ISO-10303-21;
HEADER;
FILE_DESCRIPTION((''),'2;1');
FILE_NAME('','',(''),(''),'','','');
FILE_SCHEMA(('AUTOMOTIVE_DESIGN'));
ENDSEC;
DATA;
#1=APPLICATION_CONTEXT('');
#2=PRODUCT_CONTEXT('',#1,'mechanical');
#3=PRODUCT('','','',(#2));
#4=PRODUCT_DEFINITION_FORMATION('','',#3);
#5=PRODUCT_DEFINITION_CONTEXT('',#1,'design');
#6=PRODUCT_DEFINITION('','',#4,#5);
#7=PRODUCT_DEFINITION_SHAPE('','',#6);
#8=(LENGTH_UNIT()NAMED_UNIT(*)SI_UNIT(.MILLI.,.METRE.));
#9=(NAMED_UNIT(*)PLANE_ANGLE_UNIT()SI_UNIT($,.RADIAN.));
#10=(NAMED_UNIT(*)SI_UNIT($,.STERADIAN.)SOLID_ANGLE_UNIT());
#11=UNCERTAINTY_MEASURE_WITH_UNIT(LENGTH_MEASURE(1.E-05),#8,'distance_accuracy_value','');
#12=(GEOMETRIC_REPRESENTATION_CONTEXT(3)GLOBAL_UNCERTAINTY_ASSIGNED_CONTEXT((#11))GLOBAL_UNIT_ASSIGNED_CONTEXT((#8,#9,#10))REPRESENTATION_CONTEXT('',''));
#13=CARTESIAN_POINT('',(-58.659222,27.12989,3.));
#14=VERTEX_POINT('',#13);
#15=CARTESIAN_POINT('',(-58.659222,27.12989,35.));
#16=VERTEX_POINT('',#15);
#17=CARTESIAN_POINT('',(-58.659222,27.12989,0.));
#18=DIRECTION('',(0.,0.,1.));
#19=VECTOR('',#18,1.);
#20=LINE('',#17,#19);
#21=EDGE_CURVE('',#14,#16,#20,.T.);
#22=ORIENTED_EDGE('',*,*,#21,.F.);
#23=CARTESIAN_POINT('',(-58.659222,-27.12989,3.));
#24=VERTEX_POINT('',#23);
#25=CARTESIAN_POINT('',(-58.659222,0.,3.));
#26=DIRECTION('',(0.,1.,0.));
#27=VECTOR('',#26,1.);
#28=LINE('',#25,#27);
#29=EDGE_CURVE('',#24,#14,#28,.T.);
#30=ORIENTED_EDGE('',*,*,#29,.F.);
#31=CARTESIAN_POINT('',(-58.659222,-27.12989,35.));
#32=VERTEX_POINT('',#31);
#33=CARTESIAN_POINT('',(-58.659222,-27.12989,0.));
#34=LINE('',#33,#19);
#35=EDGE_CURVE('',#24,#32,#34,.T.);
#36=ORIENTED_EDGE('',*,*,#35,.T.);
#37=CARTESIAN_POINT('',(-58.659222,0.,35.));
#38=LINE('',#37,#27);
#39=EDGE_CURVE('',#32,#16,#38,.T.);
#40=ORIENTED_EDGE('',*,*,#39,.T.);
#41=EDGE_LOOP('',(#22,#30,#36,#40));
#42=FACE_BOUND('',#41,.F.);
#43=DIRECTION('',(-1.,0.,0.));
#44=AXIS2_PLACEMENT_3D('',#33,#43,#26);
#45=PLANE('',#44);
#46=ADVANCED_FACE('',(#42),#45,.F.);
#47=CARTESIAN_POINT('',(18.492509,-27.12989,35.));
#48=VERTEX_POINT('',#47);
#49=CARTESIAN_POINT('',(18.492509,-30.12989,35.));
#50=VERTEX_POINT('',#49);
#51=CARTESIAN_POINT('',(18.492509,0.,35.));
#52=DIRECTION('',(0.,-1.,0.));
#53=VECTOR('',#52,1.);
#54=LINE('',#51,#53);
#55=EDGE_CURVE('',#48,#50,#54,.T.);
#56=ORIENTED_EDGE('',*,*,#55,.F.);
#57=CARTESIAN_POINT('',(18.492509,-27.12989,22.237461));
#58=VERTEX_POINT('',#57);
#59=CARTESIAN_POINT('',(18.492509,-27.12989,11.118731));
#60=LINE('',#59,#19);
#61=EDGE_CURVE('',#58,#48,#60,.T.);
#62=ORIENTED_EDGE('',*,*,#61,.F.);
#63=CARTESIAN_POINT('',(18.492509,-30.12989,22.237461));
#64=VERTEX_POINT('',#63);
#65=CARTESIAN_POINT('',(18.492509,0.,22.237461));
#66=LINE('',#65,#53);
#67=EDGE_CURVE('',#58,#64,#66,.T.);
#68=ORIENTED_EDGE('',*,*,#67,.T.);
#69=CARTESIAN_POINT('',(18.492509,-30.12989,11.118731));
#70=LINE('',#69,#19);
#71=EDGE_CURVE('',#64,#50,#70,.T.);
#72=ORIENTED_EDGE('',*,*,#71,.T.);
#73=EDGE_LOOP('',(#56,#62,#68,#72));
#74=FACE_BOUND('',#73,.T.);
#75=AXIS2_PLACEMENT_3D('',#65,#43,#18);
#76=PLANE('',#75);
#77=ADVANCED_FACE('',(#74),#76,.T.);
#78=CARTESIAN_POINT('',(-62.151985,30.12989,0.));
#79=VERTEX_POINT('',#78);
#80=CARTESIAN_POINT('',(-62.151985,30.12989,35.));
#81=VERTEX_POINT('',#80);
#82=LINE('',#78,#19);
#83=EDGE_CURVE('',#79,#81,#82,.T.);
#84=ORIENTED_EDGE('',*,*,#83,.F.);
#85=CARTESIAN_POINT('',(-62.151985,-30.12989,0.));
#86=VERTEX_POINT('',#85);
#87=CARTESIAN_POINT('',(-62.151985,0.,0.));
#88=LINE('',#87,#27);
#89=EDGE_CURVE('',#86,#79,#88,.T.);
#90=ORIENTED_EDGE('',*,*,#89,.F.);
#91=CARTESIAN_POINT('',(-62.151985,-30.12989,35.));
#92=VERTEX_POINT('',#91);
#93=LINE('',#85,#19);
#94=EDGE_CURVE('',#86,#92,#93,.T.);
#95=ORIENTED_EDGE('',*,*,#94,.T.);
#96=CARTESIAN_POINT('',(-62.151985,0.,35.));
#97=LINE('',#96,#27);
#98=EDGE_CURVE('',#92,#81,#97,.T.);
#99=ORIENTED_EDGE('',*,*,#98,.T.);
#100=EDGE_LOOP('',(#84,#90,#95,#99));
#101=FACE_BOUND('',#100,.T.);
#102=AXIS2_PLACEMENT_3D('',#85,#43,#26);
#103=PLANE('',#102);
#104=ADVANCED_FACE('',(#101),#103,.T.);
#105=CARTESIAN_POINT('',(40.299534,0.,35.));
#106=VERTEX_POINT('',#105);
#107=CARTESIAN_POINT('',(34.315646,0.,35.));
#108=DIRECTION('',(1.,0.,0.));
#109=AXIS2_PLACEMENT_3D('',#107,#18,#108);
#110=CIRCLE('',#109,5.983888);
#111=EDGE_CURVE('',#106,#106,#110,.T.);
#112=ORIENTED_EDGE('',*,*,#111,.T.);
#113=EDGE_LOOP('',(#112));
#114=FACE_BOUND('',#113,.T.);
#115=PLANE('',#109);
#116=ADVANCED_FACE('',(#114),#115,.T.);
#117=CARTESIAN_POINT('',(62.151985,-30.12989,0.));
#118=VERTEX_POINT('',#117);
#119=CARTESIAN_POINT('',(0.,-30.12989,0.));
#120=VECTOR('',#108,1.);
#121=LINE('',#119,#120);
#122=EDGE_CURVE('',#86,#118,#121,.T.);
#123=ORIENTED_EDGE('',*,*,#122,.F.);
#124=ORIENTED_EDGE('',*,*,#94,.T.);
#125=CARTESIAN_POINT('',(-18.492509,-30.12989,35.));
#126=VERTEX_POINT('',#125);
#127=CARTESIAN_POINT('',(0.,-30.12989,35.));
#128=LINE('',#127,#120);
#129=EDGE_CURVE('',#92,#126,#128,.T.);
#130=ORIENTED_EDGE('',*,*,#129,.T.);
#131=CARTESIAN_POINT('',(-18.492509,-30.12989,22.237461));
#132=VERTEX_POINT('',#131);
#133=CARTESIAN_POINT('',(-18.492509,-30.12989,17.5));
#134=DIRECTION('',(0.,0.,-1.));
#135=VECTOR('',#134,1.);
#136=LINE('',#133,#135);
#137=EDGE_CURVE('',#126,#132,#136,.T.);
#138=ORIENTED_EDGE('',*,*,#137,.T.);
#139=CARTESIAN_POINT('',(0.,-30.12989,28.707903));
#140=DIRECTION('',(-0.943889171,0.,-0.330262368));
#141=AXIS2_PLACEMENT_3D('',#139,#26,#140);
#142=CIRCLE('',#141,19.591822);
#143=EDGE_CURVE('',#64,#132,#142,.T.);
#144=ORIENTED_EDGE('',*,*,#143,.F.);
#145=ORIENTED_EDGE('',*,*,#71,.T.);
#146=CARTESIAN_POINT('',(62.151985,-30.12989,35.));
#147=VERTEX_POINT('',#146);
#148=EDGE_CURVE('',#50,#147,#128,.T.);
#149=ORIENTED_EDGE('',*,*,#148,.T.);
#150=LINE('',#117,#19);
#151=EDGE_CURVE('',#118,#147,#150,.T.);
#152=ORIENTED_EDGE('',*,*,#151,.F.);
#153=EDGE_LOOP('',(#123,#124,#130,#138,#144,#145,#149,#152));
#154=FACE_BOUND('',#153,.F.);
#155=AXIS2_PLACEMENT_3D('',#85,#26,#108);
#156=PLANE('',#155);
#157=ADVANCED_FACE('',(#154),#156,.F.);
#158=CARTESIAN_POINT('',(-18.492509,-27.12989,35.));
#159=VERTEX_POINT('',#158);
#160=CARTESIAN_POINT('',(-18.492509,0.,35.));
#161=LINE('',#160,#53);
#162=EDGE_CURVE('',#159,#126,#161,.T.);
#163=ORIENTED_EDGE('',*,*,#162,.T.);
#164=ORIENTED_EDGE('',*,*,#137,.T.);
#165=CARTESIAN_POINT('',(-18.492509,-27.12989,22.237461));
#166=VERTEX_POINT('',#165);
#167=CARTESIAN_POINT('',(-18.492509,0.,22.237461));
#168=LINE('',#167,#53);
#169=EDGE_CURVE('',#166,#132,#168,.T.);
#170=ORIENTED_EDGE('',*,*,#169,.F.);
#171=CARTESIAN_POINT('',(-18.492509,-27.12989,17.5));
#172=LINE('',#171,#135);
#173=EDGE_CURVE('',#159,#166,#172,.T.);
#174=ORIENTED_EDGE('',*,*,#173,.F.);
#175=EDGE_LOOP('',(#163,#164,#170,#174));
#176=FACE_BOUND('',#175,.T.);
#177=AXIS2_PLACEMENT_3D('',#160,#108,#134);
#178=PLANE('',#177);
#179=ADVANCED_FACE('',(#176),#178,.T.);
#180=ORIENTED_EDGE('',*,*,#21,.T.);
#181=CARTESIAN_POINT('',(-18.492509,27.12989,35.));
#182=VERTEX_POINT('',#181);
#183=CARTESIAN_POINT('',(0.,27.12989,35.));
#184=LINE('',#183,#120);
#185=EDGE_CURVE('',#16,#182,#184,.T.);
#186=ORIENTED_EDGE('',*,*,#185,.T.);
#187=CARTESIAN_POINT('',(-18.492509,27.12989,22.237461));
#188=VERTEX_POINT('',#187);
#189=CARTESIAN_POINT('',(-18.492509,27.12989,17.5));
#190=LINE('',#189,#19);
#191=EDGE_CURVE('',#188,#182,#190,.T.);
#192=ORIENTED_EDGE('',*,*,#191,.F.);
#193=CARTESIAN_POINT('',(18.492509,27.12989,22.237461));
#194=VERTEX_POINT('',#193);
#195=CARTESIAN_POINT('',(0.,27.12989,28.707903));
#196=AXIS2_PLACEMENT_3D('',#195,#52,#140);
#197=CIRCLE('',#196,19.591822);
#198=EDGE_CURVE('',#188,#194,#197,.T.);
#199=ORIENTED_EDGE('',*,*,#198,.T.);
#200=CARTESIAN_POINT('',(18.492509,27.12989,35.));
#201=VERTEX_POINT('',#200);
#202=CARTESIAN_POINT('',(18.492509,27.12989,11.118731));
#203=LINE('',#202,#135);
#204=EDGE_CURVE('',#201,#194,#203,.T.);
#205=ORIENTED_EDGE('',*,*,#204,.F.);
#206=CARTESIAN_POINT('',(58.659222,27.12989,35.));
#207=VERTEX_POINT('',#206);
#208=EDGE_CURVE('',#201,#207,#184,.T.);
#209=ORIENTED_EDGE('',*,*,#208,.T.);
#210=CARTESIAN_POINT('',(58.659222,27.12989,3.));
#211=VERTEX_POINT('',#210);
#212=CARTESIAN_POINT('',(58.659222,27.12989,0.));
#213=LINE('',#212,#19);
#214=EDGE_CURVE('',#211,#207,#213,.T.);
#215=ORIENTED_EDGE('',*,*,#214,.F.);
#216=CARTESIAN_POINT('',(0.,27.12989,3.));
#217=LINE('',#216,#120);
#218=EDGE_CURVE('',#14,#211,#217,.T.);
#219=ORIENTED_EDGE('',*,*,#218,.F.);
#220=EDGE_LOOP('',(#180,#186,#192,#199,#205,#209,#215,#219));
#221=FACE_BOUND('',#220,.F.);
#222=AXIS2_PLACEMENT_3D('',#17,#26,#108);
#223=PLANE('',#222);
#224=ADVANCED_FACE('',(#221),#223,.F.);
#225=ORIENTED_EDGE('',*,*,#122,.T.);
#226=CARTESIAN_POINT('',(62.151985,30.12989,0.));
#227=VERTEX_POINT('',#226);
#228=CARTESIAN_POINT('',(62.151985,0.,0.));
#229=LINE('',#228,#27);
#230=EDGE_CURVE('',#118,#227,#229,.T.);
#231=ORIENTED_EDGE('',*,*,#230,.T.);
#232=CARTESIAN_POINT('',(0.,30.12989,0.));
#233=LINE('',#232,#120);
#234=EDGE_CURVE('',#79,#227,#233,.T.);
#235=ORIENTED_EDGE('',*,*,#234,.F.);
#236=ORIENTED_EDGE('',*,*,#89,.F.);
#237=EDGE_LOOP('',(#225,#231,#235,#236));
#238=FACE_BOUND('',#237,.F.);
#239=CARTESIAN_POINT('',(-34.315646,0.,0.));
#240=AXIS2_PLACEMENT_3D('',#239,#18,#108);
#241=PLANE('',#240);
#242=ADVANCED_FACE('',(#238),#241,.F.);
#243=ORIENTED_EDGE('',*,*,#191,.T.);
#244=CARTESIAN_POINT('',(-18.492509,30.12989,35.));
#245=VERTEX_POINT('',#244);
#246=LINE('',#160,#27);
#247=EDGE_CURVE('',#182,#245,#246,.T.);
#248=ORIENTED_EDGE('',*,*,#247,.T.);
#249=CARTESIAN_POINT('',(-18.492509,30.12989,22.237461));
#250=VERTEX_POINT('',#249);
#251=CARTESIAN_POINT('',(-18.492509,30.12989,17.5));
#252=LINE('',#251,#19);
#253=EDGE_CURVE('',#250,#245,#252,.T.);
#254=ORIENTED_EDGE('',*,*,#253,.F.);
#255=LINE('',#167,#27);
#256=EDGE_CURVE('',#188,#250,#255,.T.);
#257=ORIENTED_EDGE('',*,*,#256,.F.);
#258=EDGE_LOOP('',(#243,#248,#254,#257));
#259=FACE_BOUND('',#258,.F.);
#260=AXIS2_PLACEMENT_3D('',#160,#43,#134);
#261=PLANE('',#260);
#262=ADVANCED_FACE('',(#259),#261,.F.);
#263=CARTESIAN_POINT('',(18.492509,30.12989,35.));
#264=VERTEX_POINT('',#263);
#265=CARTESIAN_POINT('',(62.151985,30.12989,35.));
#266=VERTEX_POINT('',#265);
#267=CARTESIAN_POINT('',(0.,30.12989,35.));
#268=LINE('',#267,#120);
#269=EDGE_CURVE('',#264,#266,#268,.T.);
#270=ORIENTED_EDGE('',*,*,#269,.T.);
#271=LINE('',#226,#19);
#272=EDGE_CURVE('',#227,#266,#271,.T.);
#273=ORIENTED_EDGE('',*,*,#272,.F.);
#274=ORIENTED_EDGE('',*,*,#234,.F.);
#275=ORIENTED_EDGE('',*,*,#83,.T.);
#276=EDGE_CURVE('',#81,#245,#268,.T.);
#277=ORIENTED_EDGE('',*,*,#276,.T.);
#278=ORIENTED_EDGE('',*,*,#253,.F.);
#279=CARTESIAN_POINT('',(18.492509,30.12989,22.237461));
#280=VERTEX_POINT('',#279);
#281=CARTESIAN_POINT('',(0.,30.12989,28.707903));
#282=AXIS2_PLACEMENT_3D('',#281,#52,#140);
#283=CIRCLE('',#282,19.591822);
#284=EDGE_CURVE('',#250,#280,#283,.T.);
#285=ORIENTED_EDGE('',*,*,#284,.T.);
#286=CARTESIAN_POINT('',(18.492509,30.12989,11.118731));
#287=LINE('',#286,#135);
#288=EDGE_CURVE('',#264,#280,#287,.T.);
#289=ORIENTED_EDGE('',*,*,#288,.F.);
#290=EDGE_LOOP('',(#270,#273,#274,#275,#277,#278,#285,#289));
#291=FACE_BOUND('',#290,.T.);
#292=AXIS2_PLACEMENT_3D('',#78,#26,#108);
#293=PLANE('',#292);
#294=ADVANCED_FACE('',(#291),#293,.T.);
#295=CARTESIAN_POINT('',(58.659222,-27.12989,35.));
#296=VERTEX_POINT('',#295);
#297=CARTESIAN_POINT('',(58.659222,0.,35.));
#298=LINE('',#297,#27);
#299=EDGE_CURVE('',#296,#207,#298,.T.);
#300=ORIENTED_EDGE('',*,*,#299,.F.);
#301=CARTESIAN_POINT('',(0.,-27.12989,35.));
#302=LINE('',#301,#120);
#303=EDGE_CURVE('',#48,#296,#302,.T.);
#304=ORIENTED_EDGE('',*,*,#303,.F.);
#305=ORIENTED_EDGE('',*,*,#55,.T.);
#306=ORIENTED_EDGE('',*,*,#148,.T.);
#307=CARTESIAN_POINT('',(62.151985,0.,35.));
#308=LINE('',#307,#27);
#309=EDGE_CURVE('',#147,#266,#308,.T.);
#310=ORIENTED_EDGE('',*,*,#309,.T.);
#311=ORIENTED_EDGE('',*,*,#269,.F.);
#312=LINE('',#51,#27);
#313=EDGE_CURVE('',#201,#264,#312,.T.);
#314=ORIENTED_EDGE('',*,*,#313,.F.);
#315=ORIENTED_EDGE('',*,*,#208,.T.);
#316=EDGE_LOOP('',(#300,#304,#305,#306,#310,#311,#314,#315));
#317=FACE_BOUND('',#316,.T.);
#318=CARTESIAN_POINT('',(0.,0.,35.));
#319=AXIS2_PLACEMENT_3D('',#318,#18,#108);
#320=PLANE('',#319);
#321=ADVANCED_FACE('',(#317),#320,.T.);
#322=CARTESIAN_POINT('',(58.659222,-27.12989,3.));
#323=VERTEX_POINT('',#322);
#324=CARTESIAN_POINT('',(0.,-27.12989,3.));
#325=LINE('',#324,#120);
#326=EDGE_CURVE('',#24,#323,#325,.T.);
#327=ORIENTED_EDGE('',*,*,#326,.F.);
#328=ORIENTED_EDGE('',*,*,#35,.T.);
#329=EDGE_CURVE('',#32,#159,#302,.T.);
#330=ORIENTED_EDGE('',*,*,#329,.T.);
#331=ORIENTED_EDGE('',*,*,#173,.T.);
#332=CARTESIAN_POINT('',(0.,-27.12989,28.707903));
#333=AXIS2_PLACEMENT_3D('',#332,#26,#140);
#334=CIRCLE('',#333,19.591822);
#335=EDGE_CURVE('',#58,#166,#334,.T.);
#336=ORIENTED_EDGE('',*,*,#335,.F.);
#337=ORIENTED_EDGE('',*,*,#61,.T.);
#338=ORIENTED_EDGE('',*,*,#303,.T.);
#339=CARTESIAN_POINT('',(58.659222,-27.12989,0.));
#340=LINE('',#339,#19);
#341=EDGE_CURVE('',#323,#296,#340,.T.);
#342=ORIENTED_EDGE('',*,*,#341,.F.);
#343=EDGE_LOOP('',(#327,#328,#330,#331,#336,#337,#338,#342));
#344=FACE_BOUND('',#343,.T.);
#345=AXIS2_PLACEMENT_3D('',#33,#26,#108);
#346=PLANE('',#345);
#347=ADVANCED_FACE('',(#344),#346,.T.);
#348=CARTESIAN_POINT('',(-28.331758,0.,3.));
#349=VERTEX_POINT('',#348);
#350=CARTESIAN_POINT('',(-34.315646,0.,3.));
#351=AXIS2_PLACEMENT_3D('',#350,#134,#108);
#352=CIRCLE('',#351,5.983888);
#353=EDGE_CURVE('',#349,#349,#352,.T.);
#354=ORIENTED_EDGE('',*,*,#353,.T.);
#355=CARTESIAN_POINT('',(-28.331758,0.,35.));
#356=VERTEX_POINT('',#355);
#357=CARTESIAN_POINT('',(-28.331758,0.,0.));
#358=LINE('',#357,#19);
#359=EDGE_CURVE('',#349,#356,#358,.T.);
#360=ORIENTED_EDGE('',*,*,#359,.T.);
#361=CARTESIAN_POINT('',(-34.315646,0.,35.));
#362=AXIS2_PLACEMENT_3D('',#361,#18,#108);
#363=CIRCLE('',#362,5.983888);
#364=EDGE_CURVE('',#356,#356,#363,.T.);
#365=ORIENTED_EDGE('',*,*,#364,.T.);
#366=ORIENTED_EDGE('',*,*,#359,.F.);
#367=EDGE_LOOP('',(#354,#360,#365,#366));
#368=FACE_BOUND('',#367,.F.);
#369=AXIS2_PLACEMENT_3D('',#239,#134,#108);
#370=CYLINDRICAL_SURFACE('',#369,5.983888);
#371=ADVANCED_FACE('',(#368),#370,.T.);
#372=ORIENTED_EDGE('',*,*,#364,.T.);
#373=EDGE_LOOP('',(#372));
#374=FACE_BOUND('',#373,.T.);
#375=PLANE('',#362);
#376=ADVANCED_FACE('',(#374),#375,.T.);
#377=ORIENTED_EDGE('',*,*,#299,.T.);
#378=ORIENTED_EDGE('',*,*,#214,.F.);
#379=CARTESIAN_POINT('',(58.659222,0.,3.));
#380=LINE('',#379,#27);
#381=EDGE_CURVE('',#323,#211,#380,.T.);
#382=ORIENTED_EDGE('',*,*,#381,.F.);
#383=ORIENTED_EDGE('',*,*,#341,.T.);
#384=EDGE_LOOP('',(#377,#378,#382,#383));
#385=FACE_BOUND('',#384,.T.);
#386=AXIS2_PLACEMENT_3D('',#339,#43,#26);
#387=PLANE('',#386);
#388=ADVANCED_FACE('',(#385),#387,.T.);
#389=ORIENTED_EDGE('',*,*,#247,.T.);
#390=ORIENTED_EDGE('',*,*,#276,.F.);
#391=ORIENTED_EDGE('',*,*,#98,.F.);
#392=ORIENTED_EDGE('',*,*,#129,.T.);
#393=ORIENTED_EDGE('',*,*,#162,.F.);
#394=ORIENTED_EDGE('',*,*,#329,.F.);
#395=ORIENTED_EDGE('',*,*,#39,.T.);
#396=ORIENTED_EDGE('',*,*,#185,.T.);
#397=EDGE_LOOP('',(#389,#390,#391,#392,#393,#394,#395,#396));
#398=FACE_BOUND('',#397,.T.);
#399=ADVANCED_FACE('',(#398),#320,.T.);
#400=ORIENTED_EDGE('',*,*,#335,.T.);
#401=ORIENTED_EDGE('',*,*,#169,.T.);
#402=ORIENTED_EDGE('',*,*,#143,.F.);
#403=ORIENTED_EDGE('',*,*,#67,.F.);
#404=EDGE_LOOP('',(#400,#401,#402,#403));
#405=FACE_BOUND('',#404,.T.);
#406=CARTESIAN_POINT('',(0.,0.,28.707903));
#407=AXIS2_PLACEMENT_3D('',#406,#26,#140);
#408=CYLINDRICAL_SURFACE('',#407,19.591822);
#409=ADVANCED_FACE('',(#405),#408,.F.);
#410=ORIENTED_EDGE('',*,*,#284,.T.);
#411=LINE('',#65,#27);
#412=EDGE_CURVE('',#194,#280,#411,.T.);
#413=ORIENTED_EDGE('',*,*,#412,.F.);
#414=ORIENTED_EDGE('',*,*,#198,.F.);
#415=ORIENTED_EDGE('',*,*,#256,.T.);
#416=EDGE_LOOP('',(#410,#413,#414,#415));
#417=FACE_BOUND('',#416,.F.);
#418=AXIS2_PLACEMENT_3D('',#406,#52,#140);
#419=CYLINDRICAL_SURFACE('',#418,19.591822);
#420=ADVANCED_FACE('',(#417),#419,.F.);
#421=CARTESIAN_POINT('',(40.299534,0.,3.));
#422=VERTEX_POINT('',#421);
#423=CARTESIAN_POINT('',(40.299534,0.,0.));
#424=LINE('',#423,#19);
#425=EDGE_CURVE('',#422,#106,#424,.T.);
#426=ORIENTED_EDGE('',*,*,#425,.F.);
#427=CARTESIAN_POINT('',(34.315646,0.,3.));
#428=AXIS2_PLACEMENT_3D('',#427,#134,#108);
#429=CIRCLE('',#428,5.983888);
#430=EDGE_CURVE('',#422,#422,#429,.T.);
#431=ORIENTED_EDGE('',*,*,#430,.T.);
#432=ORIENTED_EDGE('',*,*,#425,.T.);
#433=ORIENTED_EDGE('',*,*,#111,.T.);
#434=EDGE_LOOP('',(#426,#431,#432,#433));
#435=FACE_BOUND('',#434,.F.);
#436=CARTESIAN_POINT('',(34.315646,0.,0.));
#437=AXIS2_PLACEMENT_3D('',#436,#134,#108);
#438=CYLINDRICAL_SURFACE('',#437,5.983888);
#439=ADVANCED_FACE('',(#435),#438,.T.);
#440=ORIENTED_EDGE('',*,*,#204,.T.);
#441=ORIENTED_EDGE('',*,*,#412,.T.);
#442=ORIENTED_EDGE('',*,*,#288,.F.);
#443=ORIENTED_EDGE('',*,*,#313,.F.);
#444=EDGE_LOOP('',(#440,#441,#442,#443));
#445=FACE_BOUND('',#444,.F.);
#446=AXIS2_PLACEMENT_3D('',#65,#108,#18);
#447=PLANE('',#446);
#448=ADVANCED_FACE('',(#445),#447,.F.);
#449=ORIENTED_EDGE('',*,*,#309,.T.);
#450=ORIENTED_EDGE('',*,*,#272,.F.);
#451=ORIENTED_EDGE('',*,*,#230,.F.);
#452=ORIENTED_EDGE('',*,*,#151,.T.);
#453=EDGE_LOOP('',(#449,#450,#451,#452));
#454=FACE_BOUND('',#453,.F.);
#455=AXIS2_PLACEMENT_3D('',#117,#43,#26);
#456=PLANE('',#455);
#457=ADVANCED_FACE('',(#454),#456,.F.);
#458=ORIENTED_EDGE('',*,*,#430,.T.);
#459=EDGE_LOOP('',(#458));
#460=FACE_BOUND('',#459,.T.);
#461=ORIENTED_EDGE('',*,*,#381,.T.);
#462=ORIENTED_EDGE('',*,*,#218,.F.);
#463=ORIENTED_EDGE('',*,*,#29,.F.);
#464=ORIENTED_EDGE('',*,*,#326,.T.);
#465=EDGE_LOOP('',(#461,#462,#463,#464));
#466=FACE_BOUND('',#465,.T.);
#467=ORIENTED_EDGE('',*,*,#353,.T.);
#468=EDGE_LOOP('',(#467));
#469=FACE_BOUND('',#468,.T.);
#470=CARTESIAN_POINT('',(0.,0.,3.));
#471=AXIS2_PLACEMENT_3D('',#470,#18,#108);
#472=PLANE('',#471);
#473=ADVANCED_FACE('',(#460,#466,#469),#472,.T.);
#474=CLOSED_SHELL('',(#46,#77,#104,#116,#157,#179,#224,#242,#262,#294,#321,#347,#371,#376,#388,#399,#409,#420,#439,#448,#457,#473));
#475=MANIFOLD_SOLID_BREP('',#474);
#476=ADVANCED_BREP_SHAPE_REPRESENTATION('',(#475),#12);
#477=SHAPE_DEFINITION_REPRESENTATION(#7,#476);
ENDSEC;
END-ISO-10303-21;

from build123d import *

# Parameters (mm, degrees)
F0_W          = 117.318443954
F0_H          = 54.2597807944
F1_DEPTH      = 3
F2_W          = 124.3039702
F2_H          = 60.2597807944
F2_W_2        = 117.318443954
F2_H_2        = 54.2597807944
F3_DEPTH      = 35
F4_R          = 5.9838878744
F5_DEPTH      = 35
F7_DEPTH      = 30.1308903972
F7_DEPTH_BACK = 30.1308903972


with BuildPart() as f1:
    # F0 (on Top) → F1 (new body)
    with BuildSketch(Plane.XY):
        Rectangle(F0_W, F0_H)
    extrude(amount=F1_DEPTH)

    # F2 (on Top) → F3 (join)
    with BuildSketch(Plane.XY):
        Rectangle(F2_W, F2_H)
        Rectangle(F2_W_2, F2_H_2, mode=Mode.SUBTRACT)
    extrude(amount=F3_DEPTH)

    # F4 (on Top) → F5 (join)
    with BuildSketch(Plane.XY):
        with Locations((-34.3156456947, 0)):
            Circle(F4_R)
        with Locations((34.3156456947, 0)):
            Circle(F4_R)
    extrude(amount=F5_DEPTH)

    # F6 (on Front) → F7 (cut, two sides)
    with BuildSketch(Plane.XZ) as f7_sk:
        with BuildLine():
            Line((18.4925086796, 35), (-18.4925086796, 35))
            Line((-18.4925086796, 35), (-18.4925086796, 22.2374610603))
            ThreePointArc((-18.4925086796, 22.2374610603), (0, 9.1160805646), (18.4925086796, 22.2374610603))
            Line((18.4925086796, 22.2374610603), (18.4925086796, 35))
        make_face()
    extrude(amount=-F7_DEPTH, mode=Mode.SUBTRACT)
    extrude(f7_sk.sketch, amount=F7_DEPTH_BACK, mode=Mode.SUBTRACT)


solid = f1.part
